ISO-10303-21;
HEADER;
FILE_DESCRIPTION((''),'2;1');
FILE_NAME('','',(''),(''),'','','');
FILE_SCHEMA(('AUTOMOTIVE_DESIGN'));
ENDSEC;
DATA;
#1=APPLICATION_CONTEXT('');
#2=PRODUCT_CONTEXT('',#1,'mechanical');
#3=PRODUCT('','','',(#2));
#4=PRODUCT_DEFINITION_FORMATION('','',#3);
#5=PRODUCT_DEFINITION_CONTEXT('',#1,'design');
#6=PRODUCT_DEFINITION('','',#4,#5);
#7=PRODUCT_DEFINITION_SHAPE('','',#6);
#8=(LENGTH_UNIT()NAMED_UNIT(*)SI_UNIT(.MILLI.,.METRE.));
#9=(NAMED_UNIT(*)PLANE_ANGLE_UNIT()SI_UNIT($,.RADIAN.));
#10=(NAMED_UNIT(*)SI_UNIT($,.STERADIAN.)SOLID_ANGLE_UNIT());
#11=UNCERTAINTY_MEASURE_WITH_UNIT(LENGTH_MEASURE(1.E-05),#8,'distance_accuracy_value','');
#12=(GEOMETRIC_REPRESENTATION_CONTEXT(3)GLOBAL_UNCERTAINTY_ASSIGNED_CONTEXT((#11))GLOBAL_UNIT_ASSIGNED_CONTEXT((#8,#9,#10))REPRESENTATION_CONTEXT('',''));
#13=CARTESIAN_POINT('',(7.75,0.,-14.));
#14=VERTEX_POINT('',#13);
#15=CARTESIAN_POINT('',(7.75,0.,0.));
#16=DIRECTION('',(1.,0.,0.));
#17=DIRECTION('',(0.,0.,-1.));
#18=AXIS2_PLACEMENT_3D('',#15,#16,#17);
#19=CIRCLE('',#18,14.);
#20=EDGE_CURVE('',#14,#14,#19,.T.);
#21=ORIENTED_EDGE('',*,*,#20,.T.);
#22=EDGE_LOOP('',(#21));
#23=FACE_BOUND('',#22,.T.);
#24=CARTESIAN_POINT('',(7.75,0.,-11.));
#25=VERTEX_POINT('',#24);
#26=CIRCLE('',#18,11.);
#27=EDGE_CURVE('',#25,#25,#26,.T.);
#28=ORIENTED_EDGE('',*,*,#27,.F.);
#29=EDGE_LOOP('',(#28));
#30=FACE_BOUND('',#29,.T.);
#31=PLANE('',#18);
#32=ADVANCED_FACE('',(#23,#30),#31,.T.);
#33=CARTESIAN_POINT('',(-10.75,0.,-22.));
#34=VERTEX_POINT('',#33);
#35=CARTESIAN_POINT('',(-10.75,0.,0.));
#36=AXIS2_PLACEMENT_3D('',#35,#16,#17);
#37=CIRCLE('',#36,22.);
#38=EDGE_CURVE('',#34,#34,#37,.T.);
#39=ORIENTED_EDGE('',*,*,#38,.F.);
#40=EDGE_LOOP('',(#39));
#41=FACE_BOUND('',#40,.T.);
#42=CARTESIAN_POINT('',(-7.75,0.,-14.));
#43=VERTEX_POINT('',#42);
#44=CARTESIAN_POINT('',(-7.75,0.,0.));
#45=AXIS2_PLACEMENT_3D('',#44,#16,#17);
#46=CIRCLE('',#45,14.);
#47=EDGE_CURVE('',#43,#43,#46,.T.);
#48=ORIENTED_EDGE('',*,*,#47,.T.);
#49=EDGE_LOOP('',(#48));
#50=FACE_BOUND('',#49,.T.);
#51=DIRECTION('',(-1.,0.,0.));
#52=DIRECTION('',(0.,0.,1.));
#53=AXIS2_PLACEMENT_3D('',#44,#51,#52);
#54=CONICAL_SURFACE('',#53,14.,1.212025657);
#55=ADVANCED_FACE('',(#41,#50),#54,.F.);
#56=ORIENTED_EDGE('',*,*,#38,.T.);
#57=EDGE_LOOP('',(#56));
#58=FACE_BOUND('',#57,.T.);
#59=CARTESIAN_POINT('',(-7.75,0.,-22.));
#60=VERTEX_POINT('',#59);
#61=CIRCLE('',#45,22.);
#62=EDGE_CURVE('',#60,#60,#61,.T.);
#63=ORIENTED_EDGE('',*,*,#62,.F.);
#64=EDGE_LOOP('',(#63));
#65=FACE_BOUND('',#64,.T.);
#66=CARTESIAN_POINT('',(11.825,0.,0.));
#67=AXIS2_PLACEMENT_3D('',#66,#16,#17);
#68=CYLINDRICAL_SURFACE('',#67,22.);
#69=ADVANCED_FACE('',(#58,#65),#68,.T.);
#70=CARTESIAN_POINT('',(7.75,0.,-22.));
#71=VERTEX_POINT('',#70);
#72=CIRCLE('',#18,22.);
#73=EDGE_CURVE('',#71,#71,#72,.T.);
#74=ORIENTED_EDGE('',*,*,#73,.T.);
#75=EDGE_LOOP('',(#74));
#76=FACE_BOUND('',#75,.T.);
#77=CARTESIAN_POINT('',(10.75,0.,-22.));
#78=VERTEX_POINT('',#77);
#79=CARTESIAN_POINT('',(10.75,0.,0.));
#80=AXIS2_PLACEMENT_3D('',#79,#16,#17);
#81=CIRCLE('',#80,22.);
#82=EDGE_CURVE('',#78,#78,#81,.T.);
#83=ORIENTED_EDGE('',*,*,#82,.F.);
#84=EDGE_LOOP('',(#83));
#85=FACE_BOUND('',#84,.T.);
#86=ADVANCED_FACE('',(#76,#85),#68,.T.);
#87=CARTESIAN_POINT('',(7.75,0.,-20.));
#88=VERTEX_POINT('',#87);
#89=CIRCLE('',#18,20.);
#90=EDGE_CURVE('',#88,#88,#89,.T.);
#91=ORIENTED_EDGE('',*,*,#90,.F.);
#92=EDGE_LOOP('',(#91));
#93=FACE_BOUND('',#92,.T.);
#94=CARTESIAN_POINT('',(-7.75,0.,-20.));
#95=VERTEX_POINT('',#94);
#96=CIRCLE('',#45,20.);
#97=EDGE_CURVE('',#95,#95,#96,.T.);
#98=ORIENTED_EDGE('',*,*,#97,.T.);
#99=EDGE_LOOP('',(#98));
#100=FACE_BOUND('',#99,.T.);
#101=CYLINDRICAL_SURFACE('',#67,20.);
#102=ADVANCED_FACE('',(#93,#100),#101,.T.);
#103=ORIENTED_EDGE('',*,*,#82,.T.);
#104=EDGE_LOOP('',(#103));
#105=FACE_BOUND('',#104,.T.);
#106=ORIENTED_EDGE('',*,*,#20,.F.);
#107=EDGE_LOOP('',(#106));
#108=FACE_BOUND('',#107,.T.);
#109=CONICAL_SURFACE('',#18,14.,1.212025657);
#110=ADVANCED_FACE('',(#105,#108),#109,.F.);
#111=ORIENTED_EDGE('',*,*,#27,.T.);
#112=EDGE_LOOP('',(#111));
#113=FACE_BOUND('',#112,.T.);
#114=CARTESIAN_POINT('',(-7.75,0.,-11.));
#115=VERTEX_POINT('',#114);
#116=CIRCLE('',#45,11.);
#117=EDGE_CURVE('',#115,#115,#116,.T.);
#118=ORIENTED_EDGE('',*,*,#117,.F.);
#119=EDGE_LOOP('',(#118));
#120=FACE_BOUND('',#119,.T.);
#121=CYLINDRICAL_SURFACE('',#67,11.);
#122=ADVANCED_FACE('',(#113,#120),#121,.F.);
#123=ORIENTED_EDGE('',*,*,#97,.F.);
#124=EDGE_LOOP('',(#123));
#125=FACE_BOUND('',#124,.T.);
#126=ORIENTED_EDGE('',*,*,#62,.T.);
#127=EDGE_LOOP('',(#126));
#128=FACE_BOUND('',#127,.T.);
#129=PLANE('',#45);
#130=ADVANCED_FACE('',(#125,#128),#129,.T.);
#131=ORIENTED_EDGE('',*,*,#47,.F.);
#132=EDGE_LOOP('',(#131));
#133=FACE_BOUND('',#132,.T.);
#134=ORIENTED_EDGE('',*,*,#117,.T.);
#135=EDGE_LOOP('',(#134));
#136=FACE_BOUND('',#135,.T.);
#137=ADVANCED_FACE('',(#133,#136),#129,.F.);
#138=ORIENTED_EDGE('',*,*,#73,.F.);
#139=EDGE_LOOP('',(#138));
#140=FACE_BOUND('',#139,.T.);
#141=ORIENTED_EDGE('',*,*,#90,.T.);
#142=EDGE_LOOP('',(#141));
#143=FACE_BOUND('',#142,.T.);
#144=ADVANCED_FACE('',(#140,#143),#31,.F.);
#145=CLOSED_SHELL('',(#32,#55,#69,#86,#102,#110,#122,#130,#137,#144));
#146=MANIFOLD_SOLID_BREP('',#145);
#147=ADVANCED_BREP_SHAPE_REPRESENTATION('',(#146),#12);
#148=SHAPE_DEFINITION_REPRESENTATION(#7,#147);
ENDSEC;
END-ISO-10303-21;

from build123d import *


with BuildPart() as part:
    # Sketch2 → Revolve1 (revolve)
    with BuildSketch(Plane.XY, mode=Mode.PRIVATE) as revolve1_sk:
        Polygon((-7.75, 11), (0, 11), (0, 20), (-7.75, 20), (-7.75, 14), align=None)
        Polygon((-7.75, 14), (-7.75, 20), (-7.75, 22), (-10.75, 22), align=None)
        Polygon((0, 20), (0, 11), (7.75, 11), (7.75, 14), (7.75, 20), align=None)
        Polygon((7.75, 22), (7.75, 20), (7.75, 14), (10.75, 22), align=None)
    revolve(revolve1_sk.sketch.rotate(Axis((11.825, 0, 0), (-1, 0, 0)), 90), axis=Axis((11.825, 0, 0), (-1, 0, 0)))


solid = part.part
